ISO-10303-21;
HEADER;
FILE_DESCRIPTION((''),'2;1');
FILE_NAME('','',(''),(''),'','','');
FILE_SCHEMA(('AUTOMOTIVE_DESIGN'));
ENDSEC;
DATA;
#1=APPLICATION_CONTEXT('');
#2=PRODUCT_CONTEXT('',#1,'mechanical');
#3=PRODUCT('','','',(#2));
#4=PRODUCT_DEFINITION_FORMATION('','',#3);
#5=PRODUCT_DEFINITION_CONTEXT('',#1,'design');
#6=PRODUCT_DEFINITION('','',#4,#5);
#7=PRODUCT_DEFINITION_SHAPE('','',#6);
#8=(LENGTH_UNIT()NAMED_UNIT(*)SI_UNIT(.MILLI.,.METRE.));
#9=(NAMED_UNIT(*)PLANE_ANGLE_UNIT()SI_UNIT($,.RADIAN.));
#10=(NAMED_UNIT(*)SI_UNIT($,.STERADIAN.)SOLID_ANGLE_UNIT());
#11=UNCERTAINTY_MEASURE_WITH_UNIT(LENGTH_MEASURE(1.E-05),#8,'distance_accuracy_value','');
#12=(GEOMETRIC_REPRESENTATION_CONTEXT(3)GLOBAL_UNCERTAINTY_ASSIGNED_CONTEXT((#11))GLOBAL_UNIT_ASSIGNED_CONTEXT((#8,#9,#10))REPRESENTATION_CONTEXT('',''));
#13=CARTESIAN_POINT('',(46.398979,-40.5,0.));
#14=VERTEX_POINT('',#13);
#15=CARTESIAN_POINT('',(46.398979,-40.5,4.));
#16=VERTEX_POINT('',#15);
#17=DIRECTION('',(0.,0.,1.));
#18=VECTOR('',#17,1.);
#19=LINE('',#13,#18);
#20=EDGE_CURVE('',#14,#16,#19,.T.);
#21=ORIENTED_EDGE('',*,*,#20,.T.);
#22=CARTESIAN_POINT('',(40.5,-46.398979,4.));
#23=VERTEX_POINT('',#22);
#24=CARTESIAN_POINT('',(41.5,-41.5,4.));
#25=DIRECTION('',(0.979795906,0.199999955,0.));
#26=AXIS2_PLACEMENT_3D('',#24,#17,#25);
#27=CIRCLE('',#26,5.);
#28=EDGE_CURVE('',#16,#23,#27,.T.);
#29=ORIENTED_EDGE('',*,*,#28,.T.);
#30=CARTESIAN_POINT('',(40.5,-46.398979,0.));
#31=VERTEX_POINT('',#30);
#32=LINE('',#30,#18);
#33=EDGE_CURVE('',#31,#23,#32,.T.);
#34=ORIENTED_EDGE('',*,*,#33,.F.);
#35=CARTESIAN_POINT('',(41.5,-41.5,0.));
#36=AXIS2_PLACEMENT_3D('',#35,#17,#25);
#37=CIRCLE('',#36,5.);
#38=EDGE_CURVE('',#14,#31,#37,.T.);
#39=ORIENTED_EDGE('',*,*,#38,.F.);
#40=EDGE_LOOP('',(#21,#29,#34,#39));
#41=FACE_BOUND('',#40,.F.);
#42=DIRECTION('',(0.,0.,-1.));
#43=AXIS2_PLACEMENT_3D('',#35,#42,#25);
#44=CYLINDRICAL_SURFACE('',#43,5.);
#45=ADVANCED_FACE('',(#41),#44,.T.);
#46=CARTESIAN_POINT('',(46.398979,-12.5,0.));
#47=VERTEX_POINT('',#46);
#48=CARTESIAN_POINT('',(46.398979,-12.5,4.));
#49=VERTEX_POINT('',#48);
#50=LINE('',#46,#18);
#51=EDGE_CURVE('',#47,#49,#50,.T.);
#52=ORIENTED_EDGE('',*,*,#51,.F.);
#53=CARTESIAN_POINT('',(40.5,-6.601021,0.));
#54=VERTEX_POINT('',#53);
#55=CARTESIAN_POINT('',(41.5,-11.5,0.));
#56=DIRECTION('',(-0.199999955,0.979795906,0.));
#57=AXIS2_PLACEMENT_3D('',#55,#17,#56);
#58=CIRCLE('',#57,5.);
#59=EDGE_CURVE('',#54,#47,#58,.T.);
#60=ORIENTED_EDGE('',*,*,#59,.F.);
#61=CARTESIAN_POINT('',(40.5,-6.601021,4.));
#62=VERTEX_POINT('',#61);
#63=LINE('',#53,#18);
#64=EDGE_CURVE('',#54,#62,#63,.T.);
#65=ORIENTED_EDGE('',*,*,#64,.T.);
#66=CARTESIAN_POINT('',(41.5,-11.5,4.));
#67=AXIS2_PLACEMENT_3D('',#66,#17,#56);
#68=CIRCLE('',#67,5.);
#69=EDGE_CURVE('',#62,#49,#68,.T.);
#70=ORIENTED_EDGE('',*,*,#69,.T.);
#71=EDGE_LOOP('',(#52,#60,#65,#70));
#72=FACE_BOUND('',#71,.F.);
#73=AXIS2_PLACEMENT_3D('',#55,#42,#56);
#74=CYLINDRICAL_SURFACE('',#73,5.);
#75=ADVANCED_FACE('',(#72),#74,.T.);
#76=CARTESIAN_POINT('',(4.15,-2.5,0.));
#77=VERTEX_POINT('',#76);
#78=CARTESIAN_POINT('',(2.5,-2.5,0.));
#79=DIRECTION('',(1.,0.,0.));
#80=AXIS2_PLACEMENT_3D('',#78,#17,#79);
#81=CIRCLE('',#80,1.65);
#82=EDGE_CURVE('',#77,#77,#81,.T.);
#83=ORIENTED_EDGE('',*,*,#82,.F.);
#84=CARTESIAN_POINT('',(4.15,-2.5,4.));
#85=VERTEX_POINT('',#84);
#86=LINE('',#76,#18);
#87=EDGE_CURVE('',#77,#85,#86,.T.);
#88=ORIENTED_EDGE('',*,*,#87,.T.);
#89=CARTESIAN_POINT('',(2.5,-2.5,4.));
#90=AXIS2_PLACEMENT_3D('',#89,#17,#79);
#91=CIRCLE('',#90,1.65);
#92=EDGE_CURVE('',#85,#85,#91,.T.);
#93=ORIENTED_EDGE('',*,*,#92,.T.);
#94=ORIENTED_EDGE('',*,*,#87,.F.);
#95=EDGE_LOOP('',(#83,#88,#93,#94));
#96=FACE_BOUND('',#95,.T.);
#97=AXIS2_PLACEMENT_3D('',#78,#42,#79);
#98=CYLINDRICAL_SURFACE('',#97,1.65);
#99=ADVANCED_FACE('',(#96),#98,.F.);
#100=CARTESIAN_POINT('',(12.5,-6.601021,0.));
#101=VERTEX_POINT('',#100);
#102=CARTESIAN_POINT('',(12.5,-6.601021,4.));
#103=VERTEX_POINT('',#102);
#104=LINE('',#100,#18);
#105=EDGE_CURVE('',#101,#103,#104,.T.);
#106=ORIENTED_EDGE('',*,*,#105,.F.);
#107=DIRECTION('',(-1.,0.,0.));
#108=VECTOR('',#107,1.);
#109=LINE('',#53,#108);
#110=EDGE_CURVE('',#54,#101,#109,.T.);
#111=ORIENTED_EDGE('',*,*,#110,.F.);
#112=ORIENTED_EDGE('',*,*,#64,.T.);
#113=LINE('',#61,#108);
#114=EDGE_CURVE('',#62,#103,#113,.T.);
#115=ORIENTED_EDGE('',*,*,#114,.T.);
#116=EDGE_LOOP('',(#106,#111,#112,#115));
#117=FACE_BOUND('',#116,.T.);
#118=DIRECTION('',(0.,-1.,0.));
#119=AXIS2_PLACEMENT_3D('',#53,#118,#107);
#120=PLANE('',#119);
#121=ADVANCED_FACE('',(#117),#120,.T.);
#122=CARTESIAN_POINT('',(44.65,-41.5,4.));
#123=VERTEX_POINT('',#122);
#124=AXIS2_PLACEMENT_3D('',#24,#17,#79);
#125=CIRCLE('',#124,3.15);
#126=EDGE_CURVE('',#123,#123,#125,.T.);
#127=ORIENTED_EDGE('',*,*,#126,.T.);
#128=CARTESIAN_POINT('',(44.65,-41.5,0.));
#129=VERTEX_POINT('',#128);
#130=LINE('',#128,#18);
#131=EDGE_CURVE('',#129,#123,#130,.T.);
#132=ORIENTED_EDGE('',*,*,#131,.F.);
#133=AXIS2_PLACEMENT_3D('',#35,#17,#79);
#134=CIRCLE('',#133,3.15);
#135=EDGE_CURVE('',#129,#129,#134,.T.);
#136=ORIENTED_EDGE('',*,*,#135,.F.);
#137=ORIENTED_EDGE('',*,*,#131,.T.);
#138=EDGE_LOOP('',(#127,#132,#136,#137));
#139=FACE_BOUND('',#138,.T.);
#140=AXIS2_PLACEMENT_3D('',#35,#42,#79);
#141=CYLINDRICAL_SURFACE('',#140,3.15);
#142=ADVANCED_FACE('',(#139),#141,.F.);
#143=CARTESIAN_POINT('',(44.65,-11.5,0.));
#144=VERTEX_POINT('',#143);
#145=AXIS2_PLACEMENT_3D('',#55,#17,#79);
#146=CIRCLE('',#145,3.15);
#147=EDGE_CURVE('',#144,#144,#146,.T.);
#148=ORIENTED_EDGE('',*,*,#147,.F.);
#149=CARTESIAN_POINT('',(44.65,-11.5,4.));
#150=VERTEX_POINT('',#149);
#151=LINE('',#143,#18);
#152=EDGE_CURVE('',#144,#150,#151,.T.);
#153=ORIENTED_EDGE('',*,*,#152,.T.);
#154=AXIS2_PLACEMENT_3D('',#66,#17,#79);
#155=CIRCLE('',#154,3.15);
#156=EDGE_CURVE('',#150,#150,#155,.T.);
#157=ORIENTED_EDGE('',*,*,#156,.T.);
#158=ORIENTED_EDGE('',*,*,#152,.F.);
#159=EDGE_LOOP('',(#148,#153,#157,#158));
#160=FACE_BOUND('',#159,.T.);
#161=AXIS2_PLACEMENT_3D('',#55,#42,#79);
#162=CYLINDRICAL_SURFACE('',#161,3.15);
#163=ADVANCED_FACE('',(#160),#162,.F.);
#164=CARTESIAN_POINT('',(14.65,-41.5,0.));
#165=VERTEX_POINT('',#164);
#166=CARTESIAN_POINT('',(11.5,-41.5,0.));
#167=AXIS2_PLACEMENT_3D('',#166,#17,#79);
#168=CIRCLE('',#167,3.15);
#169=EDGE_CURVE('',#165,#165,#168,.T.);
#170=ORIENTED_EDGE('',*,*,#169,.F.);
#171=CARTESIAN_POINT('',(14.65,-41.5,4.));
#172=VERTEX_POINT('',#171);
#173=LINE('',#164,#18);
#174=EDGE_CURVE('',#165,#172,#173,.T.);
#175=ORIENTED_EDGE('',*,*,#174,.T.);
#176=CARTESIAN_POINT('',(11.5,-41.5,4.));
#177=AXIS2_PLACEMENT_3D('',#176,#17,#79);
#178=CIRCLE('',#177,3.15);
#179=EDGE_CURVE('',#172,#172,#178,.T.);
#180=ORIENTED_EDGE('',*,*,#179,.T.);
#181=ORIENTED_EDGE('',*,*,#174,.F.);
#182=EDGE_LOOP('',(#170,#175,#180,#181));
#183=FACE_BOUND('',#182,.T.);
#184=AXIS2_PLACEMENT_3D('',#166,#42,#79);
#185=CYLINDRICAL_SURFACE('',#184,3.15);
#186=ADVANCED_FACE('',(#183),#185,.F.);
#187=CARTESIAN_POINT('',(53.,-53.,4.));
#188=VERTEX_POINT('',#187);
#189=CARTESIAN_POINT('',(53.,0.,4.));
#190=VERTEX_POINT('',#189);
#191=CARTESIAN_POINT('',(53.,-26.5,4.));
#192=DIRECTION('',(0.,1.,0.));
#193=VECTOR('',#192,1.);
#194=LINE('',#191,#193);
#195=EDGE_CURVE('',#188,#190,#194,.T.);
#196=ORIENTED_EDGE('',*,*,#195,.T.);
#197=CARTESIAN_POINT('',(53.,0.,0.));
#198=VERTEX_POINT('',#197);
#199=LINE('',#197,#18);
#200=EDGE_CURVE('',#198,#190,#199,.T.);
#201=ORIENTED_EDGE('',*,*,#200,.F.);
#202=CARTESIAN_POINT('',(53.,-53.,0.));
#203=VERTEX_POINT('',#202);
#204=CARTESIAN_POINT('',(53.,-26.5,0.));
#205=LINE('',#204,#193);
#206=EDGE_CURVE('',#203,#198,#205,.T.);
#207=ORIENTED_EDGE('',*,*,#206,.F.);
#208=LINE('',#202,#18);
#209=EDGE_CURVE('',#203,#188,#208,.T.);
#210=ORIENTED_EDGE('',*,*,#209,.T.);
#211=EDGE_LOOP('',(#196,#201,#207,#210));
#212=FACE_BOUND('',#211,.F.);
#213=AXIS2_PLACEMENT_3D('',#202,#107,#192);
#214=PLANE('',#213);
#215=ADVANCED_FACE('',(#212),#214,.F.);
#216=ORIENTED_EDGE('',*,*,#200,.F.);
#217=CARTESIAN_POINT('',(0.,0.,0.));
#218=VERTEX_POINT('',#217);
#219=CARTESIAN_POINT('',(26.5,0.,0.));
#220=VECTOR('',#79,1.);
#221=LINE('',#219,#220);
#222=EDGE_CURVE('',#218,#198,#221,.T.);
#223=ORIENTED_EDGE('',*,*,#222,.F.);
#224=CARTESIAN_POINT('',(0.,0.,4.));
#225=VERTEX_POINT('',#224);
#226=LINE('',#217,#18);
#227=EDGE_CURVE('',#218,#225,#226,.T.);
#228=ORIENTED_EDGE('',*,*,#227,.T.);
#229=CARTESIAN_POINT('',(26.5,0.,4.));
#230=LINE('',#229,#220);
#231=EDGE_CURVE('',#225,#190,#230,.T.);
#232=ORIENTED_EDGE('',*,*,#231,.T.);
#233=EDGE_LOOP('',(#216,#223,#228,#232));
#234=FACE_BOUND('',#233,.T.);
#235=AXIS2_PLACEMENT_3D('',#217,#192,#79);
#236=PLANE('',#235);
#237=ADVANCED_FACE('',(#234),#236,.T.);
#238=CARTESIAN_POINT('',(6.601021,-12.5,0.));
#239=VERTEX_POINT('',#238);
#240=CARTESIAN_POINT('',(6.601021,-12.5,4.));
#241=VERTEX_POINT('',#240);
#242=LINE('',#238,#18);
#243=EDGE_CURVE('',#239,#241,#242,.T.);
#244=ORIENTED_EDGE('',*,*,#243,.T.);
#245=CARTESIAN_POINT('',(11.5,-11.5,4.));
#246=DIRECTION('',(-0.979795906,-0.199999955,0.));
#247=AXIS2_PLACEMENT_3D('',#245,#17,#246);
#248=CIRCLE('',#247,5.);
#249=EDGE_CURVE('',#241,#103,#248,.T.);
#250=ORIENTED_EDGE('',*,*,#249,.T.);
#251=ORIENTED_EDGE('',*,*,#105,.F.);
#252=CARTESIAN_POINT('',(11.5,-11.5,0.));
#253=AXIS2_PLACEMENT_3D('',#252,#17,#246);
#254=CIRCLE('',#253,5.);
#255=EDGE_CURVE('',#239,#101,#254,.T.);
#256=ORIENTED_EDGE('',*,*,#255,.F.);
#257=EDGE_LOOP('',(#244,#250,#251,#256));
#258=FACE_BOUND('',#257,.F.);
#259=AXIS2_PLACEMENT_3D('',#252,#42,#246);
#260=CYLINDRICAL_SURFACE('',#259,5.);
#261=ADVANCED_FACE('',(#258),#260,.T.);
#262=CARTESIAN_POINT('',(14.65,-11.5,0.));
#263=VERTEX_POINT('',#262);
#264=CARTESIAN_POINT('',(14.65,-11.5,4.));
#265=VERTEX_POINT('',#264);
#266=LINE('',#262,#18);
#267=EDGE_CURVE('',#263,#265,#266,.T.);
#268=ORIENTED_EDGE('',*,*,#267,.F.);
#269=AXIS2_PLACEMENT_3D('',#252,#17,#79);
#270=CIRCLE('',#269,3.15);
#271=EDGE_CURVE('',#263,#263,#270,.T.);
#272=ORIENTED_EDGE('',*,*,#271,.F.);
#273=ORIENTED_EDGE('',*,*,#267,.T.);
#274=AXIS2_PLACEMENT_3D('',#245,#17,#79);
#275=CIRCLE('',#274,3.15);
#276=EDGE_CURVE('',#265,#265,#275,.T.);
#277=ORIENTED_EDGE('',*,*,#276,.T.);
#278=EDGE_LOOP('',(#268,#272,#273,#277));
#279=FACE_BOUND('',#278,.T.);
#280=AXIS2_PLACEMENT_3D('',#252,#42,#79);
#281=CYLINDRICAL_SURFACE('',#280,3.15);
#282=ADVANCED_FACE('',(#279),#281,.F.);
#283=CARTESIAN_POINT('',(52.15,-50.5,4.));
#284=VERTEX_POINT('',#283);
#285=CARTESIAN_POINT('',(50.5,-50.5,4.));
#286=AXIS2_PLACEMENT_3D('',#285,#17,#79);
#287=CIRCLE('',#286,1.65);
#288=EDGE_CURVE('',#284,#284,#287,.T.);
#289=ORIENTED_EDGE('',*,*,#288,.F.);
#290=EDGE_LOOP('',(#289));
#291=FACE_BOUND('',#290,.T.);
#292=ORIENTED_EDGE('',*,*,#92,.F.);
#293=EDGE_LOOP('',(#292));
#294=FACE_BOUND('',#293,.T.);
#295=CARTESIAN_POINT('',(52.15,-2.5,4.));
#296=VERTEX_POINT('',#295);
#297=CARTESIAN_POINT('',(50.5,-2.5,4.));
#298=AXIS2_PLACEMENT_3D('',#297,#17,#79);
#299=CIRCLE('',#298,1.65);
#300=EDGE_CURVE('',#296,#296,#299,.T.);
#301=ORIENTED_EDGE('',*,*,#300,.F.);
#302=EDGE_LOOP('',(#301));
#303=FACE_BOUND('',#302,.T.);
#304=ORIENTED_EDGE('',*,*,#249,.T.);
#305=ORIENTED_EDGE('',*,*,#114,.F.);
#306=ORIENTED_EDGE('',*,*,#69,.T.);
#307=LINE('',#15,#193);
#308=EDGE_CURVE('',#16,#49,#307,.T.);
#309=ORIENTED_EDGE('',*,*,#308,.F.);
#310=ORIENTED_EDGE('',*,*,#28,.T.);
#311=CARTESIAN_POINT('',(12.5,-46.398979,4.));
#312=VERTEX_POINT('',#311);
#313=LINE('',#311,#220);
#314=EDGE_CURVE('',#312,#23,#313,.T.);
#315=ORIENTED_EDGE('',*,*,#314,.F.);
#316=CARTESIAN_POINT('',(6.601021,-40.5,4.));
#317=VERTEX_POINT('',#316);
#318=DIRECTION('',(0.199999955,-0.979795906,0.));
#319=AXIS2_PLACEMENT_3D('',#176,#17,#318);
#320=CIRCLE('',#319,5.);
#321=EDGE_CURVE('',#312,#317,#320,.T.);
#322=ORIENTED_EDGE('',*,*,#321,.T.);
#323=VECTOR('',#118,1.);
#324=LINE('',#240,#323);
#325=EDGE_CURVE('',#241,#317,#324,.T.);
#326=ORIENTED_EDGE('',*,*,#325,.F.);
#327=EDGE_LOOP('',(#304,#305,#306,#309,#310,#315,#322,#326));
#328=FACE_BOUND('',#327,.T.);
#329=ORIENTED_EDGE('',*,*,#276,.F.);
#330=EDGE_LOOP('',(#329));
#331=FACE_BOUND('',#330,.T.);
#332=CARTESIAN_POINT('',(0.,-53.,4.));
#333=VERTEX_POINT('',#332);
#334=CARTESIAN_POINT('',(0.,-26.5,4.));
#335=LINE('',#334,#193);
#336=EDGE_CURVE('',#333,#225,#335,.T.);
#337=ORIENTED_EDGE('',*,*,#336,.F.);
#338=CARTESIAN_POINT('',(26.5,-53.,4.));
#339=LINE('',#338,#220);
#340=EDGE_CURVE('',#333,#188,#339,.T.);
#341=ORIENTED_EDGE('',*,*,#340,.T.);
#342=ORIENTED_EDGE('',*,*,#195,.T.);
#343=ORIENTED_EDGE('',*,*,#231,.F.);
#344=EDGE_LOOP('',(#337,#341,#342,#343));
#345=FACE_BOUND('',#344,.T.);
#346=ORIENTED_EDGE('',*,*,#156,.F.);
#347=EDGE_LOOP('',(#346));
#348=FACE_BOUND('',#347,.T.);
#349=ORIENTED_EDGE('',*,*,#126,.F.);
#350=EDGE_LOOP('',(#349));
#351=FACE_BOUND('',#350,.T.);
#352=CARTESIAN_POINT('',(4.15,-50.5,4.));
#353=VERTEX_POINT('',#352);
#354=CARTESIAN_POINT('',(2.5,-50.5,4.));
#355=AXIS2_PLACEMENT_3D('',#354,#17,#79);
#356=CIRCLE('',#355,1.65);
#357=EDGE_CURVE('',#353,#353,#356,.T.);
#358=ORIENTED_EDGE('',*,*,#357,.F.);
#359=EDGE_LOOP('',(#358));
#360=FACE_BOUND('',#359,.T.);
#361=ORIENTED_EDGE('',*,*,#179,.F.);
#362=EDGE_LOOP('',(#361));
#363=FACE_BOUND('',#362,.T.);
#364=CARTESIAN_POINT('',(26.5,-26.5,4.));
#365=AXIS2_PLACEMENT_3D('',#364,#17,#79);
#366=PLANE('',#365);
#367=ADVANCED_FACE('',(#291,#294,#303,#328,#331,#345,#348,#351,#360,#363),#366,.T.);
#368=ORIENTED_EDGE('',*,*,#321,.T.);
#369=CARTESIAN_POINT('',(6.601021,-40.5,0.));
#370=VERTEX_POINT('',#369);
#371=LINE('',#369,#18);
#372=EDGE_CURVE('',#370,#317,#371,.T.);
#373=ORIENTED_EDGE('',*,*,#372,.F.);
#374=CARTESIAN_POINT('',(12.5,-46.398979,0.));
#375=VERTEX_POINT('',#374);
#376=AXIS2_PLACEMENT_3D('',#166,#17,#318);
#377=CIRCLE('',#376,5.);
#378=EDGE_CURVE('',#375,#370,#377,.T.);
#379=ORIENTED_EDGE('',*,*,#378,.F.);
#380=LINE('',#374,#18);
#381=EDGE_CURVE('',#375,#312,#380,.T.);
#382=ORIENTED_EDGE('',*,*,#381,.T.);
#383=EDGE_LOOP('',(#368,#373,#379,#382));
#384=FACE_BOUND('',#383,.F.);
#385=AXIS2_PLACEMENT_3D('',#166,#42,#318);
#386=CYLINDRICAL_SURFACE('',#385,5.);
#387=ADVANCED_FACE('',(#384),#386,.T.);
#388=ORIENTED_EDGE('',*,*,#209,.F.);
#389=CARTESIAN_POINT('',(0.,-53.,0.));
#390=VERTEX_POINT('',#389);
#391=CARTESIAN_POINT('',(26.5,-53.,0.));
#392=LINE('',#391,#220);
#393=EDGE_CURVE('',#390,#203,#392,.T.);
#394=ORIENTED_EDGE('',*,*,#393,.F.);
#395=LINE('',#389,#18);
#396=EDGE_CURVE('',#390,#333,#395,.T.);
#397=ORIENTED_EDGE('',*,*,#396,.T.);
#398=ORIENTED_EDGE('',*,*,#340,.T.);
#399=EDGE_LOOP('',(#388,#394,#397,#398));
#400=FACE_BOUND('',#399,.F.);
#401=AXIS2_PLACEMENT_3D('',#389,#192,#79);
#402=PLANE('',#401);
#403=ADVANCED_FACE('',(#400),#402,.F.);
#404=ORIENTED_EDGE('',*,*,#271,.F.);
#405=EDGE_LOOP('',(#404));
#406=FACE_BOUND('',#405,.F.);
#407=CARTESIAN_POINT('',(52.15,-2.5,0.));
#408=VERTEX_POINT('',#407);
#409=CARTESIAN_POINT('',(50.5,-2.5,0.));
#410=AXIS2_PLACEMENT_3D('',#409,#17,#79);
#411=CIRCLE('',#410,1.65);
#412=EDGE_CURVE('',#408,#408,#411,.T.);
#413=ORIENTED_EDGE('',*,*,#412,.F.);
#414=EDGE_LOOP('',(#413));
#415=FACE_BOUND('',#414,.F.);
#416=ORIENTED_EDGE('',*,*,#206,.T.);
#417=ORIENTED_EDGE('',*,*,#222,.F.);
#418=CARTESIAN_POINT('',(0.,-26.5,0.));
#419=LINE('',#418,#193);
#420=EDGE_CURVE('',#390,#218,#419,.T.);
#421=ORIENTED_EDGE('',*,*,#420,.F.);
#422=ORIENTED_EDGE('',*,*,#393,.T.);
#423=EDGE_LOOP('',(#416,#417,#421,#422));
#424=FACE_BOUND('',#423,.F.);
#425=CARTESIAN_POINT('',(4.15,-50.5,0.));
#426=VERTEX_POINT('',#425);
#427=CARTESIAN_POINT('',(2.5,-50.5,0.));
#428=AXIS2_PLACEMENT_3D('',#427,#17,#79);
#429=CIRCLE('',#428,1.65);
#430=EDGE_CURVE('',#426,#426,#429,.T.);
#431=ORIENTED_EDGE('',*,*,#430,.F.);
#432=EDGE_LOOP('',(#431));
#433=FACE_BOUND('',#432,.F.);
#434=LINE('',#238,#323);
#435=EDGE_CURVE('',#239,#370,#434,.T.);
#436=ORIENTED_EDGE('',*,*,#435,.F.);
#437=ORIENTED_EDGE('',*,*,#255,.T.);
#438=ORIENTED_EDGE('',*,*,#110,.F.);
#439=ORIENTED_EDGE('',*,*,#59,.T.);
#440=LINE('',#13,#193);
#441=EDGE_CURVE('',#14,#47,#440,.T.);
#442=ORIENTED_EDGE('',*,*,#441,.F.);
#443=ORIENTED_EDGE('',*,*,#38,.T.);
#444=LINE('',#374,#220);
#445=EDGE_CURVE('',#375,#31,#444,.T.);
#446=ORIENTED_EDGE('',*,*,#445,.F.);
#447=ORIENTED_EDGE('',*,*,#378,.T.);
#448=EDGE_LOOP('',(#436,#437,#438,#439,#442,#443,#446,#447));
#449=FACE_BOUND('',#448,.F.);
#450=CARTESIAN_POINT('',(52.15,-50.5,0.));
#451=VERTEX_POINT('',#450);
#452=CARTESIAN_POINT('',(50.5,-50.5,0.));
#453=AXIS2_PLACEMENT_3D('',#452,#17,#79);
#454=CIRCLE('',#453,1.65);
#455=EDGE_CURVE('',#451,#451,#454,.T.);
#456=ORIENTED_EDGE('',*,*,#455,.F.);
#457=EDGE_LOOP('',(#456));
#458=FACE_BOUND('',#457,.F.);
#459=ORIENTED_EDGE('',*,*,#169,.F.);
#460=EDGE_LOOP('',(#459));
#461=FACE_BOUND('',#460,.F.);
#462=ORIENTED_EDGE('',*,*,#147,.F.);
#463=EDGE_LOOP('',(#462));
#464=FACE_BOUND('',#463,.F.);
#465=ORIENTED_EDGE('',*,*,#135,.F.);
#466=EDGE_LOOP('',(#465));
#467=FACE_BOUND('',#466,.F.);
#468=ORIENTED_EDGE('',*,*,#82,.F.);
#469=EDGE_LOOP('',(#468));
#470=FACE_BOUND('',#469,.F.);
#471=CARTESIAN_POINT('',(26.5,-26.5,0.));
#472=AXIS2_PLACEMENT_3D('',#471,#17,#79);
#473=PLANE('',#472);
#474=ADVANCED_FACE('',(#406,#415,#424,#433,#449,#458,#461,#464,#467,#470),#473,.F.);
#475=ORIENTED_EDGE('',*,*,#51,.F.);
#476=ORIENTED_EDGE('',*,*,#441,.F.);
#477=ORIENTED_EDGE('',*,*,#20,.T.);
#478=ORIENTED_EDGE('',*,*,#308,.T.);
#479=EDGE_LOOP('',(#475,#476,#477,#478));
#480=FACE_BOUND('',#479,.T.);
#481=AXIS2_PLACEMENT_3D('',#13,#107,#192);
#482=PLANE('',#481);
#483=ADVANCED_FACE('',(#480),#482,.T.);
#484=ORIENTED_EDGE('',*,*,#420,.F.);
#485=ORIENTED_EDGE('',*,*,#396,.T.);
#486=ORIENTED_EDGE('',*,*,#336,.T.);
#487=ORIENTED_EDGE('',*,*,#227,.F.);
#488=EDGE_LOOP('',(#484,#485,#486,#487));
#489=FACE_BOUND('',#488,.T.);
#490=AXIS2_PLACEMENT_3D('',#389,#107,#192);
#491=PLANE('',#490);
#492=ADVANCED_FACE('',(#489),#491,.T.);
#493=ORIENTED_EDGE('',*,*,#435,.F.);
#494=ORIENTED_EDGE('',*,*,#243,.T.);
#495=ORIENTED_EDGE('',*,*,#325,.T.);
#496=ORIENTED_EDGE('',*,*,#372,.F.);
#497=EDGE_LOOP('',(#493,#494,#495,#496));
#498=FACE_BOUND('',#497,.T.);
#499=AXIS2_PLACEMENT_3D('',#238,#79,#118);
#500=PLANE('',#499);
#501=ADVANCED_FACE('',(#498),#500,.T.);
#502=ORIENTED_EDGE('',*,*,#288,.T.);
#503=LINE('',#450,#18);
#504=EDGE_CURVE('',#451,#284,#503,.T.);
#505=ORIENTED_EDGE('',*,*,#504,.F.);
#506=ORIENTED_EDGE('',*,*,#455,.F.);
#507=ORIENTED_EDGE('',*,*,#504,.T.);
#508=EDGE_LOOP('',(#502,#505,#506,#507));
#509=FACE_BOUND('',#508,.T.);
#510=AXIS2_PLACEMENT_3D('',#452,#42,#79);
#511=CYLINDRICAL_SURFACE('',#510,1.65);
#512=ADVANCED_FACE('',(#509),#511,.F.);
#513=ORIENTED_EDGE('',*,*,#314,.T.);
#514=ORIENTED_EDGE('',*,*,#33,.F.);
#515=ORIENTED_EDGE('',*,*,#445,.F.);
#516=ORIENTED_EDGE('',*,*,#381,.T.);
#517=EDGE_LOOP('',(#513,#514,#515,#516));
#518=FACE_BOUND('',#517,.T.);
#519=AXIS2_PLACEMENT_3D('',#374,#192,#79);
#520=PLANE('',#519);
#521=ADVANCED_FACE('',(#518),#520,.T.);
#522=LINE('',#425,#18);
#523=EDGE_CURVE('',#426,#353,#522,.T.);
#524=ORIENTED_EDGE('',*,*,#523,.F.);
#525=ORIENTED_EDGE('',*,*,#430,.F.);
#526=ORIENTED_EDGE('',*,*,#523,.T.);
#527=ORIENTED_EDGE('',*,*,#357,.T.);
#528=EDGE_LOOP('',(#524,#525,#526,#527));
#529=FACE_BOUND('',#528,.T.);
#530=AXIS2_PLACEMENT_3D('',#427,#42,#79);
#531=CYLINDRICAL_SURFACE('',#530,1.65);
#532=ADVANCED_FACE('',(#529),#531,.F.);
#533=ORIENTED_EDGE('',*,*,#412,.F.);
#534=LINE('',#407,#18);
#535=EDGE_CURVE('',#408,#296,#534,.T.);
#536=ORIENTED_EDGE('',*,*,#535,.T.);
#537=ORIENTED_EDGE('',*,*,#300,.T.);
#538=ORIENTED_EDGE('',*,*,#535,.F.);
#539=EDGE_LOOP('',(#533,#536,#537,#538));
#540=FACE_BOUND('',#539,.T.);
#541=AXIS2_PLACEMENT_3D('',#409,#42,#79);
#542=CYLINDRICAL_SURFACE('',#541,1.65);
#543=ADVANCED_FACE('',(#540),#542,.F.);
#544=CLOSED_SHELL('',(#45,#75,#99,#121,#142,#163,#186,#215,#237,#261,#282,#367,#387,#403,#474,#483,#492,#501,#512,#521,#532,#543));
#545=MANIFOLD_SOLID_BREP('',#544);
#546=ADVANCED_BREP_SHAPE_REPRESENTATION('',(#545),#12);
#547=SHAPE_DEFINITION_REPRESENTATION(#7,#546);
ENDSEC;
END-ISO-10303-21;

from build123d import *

# Parameters (mm, degrees)
SKETCH_W   = 53
SKETCH_H   = 53
SKETCH_R   = 1.65
SKETCH_R_2 = 3.15
PAD_DEPTH  = 4


with BuildPart() as part:
    # Sketch → Pad (new body)
    with BuildSketch(Plane.XY):
        with Locations((26.5, -26.5)):
            Rectangle(SKETCH_W, SKETCH_H)
        with Locations((2.5, -2.5)):
            Circle(SKETCH_R, mode=Mode.SUBTRACT)
        with Locations((50.5, -2.5)):
            Circle(SKETCH_R, mode=Mode.SUBTRACT)
        with Locations((50.5, -50.5)):
            Circle(SKETCH_R, mode=Mode.SUBTRACT)
        with Locations((2.5, -50.5)):
            Circle(SKETCH_R, mode=Mode.SUBTRACT)
        with Locations((11.5, -11.5)):
            Circle(SKETCH_R_2, mode=Mode.SUBTRACT)
        with Locations((41.5, -11.5)):
            Circle(SKETCH_R_2, mode=Mode.SUBTRACT)
        with Locations((41.5, -41.5)):
            Circle(SKETCH_R_2, mode=Mode.SUBTRACT)
        with Locations((11.5, -41.5)):
            Circle(SKETCH_R_2, mode=Mode.SUBTRACT)
        with BuildLine():
            ThreePointArc((6.601021, -12.5), (15.035534, -15.035534), (12.5, -6.601021))
            Line((40.5, -6.601021), (12.5, -6.601021))
            ThreePointArc((40.5, -6.601021), (37.964466, -15.035534), (46.398979, -12.5))
            Line((46.398979, -40.5), (46.398979, -12.5))
            ThreePointArc((46.398979, -40.5), (37.964466, -37.964466), (40.5, -46.398979))
            Line((12.5, -46.398979), (40.5, -46.398979))
            ThreePointArc((12.5, -46.398979), (15.035534, -37.964466), (6.601021, -40.5))
            Line((6.601021, -12.5), (6.601021, -40.5))
        make_face(mode=Mode.SUBTRACT)
    extrude(amount=PAD_DEPTH)


solid = part.part
